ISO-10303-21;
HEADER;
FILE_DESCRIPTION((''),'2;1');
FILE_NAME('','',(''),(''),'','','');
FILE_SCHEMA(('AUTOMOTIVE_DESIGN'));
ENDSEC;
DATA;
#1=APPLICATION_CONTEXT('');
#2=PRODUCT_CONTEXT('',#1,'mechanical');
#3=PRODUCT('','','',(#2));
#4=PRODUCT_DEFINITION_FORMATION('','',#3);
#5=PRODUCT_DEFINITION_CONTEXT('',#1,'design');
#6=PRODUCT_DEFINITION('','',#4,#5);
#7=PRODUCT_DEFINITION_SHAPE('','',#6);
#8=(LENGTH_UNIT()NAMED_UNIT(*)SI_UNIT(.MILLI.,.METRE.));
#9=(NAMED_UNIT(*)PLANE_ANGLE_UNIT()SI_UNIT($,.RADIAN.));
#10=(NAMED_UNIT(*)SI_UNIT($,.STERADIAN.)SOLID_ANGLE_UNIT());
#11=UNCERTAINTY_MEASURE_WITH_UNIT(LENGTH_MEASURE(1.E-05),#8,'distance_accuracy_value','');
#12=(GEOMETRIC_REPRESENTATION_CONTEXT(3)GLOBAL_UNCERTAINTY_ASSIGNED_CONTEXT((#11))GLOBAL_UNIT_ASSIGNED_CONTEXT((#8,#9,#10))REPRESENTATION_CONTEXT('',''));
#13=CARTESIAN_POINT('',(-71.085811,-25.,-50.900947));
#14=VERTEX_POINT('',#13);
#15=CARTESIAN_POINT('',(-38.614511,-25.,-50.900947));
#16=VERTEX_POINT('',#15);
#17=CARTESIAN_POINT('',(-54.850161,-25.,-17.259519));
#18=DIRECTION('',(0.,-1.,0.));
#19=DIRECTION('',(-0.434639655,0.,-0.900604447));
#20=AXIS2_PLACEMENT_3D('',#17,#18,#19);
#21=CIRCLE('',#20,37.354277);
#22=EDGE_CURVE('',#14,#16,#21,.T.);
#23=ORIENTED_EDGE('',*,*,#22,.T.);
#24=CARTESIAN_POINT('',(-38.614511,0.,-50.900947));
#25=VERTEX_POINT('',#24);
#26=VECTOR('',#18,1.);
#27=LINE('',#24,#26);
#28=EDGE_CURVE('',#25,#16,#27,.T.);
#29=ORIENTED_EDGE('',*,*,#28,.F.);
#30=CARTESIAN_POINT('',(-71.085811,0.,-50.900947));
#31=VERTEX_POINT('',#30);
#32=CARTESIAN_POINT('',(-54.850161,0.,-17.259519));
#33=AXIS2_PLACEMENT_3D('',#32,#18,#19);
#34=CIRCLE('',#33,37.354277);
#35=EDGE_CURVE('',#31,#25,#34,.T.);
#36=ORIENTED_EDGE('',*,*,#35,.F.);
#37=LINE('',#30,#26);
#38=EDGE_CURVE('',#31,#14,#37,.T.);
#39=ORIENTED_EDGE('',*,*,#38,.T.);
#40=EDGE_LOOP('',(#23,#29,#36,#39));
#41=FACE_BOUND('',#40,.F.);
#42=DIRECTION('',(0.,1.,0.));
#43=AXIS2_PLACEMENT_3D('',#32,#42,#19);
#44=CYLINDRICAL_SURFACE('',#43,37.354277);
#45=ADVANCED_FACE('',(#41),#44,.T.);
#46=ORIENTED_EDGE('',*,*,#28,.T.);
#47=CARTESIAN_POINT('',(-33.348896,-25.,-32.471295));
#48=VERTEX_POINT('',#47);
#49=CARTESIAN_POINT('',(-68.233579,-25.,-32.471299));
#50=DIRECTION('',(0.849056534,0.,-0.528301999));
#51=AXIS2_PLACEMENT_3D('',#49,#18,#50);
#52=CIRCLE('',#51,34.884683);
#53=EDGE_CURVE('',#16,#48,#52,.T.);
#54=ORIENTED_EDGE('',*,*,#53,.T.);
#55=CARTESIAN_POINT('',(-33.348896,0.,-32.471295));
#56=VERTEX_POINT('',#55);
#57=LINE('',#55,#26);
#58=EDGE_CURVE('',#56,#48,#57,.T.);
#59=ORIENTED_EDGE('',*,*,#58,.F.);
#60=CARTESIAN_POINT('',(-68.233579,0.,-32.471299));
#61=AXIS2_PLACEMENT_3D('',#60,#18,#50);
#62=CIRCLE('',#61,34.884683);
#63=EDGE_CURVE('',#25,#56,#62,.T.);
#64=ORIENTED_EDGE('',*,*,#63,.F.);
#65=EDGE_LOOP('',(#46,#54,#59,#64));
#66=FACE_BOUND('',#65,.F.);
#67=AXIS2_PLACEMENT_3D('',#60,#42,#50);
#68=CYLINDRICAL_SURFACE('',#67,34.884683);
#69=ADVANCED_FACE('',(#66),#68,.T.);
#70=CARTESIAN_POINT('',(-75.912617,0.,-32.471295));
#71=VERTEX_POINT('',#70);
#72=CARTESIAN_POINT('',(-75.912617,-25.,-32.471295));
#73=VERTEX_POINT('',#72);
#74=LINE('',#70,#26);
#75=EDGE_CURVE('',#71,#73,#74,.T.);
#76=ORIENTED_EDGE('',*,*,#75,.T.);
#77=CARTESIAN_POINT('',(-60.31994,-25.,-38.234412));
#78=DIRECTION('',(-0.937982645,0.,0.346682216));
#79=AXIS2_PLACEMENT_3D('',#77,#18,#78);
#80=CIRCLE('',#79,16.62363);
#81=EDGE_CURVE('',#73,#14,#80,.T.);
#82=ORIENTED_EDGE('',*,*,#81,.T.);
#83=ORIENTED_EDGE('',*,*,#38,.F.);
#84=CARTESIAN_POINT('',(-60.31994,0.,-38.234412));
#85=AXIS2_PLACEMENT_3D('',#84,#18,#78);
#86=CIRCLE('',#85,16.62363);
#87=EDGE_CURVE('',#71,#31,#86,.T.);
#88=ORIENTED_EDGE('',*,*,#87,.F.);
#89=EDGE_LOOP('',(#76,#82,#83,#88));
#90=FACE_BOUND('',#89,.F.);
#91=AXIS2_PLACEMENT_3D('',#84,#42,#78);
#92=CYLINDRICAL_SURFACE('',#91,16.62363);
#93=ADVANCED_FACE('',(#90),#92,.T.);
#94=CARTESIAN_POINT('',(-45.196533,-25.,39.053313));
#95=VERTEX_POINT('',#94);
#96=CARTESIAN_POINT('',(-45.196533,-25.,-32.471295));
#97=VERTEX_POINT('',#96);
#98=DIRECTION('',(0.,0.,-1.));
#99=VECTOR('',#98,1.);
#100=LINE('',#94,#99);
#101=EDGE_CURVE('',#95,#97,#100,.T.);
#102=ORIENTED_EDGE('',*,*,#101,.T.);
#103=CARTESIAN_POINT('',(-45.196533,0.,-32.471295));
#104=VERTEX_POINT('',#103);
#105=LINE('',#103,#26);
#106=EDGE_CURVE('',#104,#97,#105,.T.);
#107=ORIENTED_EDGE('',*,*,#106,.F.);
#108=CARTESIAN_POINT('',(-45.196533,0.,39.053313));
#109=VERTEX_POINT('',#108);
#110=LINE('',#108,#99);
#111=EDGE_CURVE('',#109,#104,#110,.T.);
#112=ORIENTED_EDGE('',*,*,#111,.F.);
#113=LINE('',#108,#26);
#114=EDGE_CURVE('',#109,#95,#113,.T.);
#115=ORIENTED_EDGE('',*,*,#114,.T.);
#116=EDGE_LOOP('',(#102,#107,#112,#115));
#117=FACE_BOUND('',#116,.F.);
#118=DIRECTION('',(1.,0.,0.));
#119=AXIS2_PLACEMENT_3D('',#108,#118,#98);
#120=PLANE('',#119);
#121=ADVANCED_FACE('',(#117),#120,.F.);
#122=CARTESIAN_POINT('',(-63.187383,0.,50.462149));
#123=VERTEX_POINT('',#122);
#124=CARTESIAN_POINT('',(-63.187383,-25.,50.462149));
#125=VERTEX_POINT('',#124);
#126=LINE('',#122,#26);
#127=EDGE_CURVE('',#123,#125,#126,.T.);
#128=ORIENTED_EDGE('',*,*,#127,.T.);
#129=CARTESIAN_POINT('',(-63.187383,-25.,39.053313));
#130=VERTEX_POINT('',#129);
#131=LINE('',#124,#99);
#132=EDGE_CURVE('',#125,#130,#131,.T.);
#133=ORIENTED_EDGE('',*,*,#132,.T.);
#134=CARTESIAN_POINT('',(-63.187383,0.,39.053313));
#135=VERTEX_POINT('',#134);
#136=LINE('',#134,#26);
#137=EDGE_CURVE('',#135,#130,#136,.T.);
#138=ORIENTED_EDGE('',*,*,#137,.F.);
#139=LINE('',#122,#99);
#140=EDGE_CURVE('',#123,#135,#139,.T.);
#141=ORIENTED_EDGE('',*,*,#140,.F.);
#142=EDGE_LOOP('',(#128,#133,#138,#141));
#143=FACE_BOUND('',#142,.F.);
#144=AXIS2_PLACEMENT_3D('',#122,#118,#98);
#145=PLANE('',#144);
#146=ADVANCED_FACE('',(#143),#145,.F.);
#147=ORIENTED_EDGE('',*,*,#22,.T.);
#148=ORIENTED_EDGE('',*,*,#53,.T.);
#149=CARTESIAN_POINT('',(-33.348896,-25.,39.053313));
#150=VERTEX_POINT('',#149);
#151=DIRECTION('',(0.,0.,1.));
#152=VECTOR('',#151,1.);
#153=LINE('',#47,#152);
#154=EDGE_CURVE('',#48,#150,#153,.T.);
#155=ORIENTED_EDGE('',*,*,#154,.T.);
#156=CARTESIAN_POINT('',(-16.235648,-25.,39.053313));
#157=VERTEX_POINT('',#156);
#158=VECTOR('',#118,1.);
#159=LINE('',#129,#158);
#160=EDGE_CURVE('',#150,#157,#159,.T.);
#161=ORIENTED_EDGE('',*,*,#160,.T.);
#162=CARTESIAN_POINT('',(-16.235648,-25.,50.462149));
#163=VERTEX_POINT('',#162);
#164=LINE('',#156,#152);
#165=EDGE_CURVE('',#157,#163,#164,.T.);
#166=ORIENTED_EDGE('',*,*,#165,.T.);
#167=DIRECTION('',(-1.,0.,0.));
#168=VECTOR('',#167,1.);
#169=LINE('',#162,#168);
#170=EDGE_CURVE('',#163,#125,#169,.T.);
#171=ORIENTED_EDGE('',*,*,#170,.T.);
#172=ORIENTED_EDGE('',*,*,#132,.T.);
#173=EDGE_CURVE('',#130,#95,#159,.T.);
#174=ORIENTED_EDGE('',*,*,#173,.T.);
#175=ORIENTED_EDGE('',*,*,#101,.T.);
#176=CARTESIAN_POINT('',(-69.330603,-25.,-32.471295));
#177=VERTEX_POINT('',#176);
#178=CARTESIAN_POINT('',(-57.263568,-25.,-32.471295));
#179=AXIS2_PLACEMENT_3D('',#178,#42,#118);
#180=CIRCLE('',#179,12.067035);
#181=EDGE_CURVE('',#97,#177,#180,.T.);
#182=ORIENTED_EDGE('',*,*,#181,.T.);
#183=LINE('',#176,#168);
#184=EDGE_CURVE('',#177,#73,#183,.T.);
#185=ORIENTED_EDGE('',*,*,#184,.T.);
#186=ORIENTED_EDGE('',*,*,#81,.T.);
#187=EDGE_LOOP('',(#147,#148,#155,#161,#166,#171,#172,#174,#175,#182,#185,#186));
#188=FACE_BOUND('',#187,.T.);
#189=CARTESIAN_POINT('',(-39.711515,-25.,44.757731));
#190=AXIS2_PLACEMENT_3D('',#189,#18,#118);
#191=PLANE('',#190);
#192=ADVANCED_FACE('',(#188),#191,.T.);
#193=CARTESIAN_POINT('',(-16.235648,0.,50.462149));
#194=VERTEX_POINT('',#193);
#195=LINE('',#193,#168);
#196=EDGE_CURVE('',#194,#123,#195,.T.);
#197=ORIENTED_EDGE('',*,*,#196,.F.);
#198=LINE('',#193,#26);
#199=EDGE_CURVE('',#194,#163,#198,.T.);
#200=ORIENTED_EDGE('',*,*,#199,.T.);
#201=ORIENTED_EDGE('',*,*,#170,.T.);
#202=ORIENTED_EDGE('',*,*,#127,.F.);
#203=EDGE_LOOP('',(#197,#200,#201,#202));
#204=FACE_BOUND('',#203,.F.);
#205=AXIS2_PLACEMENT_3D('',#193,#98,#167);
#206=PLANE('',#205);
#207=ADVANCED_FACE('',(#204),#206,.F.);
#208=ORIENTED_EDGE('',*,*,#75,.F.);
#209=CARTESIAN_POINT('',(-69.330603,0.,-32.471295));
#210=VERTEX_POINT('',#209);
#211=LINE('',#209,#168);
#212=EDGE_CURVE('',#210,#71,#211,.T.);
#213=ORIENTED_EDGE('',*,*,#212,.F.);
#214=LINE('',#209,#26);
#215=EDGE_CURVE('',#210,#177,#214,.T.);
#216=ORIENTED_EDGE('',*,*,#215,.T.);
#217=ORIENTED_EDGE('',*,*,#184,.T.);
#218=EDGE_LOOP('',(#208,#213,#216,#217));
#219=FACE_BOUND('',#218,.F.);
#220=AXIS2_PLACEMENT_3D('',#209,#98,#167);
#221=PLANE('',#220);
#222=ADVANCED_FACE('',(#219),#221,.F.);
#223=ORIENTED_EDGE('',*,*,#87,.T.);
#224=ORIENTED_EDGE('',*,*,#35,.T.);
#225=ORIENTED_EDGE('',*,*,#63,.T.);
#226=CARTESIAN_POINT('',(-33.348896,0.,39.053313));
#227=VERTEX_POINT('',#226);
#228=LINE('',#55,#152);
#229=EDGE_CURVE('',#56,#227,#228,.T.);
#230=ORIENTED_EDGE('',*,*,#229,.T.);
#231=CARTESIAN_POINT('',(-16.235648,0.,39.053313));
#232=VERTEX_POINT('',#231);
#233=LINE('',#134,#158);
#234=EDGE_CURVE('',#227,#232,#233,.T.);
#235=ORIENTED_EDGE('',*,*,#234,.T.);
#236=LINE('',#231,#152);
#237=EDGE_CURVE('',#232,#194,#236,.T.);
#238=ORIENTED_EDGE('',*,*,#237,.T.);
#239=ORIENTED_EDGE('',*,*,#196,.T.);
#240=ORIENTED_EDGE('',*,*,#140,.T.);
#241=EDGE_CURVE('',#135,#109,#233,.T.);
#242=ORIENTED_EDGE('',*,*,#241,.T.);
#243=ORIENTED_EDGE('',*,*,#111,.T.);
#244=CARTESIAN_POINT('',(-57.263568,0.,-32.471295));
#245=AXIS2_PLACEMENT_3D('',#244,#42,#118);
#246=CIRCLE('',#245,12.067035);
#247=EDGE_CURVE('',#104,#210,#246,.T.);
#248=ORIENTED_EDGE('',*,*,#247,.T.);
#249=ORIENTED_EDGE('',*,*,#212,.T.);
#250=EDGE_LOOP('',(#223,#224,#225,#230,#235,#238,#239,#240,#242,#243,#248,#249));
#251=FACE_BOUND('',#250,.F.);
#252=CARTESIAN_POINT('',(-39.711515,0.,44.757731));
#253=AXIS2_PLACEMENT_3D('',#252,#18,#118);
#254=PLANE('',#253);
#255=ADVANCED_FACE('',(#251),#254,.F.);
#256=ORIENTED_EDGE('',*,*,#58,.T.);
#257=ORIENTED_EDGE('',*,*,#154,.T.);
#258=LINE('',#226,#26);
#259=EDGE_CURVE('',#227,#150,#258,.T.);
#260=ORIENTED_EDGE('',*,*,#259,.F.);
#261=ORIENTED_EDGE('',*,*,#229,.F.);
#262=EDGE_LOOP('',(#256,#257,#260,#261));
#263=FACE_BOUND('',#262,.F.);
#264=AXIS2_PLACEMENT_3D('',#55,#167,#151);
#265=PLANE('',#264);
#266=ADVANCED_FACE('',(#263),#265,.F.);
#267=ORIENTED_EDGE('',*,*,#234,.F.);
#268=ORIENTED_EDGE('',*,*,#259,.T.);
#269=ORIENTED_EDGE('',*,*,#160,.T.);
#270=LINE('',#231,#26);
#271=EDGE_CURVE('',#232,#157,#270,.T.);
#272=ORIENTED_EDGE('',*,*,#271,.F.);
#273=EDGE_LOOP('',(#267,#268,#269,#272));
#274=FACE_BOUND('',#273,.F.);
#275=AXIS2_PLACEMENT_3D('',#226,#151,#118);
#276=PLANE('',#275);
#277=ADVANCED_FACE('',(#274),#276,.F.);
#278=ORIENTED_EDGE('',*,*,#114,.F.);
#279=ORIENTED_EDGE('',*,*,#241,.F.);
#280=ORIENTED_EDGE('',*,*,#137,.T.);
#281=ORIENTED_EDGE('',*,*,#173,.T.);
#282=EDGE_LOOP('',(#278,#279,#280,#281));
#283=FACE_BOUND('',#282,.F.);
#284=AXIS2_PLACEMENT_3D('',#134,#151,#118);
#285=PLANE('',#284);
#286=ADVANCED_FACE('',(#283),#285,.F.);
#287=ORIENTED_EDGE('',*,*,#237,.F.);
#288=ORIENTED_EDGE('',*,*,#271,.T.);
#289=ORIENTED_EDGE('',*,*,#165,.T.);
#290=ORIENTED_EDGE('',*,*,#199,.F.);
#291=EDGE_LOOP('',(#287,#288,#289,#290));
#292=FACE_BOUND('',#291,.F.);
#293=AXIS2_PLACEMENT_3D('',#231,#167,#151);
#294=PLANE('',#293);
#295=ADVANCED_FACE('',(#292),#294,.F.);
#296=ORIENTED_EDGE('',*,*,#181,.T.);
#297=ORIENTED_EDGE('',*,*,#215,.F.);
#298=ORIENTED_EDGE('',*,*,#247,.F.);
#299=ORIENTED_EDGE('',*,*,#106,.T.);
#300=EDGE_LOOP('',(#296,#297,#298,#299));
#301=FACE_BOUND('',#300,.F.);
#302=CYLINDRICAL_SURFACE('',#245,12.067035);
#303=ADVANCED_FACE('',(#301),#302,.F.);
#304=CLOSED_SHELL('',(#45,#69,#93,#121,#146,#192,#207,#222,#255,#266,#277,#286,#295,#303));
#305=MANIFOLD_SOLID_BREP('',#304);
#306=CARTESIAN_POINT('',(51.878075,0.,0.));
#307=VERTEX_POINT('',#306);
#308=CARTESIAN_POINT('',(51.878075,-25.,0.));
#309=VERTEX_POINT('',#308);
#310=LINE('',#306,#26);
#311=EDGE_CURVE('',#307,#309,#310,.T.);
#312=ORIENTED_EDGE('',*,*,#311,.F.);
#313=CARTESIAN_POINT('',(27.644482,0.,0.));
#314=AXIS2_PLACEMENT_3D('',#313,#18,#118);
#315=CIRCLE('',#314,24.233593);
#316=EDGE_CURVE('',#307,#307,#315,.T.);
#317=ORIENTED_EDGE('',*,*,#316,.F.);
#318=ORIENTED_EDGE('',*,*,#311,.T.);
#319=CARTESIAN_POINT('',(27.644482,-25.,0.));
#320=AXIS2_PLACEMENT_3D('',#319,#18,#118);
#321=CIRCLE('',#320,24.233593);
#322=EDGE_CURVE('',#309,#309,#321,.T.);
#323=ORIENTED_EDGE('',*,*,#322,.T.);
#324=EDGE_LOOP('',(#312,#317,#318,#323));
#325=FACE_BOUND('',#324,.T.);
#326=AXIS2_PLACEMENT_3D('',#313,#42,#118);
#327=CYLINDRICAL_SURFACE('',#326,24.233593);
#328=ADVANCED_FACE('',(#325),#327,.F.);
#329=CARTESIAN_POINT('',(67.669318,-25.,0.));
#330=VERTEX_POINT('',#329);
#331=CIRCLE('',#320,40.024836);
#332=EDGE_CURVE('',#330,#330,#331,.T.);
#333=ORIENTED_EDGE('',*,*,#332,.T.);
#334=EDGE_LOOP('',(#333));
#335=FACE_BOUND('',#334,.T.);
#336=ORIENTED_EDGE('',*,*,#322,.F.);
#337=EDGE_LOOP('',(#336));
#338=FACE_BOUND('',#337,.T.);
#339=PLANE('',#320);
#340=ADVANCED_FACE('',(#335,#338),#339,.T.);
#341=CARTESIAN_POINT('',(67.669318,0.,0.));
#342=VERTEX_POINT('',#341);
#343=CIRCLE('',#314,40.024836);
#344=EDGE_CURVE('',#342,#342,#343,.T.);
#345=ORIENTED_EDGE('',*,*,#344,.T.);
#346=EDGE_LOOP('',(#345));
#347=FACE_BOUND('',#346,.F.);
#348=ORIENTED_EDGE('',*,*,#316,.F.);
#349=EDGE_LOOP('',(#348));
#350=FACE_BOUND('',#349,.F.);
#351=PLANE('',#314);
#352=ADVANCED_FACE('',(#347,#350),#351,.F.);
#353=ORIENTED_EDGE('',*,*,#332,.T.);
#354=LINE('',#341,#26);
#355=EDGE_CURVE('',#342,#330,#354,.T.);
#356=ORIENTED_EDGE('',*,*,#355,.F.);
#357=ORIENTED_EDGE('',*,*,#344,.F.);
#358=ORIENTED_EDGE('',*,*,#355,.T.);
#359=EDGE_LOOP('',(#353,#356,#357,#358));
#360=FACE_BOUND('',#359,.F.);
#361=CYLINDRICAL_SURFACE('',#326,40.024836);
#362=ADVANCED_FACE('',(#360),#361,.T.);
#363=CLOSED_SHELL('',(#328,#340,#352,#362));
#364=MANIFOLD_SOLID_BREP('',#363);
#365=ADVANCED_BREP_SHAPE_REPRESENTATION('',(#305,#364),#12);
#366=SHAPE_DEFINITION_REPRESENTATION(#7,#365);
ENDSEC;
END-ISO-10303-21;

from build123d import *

# Parameters (mm, degrees)
F0_R     = 40.024836
F0_R_2   = 24.233593
F1_DEPTH = 25


with BuildPart() as f1:
    # F0 (on Front) → F1 (new body)
    with BuildSketch(Plane.XZ):
        Polygon((-16.235648, 50.462149), (-63.187383, 50.462149), (-63.187383, 39.053313), (-45.196533, 39.053313), (-33.348896, 39.053313), (-16.235648, 39.053313), align=None)
        with BuildLine():
            Line((-33.348896, 39.053313), (-45.196533, 39.053313))
            Line((-45.196533, 39.053313), (-45.196533, -32.471295))
            ThreePointArc((-45.196533, -32.471295), (-57.263568, -44.53833), (-69.330603, -32.471295))
            Line((-69.330603, -32.471295), (-75.912617, -32.471295))
            ThreePointArc((-75.912617, -32.471295), (-76.40118, -42.446159), (-71.085811, -50.900947))
            ThreePointArc((-71.085811, -50.900947), (-54.850161, -54.613796), (-38.614511, -50.900947))
            ThreePointArc((-38.614511, -50.900947), (-34.691121, -42.054859), (-33.348896, -32.471295))
            Line((-33.348896, -32.471295), (-33.348896, 39.053313))
        make_face()
        with Locations((27.644482, 0)):
            Circle(F0_R)
        with Locations((27.644482, 0)):
            Circle(F0_R_2, mode=Mode.SUBTRACT)
    extrude(amount=F1_DEPTH)


solid = f1.part
